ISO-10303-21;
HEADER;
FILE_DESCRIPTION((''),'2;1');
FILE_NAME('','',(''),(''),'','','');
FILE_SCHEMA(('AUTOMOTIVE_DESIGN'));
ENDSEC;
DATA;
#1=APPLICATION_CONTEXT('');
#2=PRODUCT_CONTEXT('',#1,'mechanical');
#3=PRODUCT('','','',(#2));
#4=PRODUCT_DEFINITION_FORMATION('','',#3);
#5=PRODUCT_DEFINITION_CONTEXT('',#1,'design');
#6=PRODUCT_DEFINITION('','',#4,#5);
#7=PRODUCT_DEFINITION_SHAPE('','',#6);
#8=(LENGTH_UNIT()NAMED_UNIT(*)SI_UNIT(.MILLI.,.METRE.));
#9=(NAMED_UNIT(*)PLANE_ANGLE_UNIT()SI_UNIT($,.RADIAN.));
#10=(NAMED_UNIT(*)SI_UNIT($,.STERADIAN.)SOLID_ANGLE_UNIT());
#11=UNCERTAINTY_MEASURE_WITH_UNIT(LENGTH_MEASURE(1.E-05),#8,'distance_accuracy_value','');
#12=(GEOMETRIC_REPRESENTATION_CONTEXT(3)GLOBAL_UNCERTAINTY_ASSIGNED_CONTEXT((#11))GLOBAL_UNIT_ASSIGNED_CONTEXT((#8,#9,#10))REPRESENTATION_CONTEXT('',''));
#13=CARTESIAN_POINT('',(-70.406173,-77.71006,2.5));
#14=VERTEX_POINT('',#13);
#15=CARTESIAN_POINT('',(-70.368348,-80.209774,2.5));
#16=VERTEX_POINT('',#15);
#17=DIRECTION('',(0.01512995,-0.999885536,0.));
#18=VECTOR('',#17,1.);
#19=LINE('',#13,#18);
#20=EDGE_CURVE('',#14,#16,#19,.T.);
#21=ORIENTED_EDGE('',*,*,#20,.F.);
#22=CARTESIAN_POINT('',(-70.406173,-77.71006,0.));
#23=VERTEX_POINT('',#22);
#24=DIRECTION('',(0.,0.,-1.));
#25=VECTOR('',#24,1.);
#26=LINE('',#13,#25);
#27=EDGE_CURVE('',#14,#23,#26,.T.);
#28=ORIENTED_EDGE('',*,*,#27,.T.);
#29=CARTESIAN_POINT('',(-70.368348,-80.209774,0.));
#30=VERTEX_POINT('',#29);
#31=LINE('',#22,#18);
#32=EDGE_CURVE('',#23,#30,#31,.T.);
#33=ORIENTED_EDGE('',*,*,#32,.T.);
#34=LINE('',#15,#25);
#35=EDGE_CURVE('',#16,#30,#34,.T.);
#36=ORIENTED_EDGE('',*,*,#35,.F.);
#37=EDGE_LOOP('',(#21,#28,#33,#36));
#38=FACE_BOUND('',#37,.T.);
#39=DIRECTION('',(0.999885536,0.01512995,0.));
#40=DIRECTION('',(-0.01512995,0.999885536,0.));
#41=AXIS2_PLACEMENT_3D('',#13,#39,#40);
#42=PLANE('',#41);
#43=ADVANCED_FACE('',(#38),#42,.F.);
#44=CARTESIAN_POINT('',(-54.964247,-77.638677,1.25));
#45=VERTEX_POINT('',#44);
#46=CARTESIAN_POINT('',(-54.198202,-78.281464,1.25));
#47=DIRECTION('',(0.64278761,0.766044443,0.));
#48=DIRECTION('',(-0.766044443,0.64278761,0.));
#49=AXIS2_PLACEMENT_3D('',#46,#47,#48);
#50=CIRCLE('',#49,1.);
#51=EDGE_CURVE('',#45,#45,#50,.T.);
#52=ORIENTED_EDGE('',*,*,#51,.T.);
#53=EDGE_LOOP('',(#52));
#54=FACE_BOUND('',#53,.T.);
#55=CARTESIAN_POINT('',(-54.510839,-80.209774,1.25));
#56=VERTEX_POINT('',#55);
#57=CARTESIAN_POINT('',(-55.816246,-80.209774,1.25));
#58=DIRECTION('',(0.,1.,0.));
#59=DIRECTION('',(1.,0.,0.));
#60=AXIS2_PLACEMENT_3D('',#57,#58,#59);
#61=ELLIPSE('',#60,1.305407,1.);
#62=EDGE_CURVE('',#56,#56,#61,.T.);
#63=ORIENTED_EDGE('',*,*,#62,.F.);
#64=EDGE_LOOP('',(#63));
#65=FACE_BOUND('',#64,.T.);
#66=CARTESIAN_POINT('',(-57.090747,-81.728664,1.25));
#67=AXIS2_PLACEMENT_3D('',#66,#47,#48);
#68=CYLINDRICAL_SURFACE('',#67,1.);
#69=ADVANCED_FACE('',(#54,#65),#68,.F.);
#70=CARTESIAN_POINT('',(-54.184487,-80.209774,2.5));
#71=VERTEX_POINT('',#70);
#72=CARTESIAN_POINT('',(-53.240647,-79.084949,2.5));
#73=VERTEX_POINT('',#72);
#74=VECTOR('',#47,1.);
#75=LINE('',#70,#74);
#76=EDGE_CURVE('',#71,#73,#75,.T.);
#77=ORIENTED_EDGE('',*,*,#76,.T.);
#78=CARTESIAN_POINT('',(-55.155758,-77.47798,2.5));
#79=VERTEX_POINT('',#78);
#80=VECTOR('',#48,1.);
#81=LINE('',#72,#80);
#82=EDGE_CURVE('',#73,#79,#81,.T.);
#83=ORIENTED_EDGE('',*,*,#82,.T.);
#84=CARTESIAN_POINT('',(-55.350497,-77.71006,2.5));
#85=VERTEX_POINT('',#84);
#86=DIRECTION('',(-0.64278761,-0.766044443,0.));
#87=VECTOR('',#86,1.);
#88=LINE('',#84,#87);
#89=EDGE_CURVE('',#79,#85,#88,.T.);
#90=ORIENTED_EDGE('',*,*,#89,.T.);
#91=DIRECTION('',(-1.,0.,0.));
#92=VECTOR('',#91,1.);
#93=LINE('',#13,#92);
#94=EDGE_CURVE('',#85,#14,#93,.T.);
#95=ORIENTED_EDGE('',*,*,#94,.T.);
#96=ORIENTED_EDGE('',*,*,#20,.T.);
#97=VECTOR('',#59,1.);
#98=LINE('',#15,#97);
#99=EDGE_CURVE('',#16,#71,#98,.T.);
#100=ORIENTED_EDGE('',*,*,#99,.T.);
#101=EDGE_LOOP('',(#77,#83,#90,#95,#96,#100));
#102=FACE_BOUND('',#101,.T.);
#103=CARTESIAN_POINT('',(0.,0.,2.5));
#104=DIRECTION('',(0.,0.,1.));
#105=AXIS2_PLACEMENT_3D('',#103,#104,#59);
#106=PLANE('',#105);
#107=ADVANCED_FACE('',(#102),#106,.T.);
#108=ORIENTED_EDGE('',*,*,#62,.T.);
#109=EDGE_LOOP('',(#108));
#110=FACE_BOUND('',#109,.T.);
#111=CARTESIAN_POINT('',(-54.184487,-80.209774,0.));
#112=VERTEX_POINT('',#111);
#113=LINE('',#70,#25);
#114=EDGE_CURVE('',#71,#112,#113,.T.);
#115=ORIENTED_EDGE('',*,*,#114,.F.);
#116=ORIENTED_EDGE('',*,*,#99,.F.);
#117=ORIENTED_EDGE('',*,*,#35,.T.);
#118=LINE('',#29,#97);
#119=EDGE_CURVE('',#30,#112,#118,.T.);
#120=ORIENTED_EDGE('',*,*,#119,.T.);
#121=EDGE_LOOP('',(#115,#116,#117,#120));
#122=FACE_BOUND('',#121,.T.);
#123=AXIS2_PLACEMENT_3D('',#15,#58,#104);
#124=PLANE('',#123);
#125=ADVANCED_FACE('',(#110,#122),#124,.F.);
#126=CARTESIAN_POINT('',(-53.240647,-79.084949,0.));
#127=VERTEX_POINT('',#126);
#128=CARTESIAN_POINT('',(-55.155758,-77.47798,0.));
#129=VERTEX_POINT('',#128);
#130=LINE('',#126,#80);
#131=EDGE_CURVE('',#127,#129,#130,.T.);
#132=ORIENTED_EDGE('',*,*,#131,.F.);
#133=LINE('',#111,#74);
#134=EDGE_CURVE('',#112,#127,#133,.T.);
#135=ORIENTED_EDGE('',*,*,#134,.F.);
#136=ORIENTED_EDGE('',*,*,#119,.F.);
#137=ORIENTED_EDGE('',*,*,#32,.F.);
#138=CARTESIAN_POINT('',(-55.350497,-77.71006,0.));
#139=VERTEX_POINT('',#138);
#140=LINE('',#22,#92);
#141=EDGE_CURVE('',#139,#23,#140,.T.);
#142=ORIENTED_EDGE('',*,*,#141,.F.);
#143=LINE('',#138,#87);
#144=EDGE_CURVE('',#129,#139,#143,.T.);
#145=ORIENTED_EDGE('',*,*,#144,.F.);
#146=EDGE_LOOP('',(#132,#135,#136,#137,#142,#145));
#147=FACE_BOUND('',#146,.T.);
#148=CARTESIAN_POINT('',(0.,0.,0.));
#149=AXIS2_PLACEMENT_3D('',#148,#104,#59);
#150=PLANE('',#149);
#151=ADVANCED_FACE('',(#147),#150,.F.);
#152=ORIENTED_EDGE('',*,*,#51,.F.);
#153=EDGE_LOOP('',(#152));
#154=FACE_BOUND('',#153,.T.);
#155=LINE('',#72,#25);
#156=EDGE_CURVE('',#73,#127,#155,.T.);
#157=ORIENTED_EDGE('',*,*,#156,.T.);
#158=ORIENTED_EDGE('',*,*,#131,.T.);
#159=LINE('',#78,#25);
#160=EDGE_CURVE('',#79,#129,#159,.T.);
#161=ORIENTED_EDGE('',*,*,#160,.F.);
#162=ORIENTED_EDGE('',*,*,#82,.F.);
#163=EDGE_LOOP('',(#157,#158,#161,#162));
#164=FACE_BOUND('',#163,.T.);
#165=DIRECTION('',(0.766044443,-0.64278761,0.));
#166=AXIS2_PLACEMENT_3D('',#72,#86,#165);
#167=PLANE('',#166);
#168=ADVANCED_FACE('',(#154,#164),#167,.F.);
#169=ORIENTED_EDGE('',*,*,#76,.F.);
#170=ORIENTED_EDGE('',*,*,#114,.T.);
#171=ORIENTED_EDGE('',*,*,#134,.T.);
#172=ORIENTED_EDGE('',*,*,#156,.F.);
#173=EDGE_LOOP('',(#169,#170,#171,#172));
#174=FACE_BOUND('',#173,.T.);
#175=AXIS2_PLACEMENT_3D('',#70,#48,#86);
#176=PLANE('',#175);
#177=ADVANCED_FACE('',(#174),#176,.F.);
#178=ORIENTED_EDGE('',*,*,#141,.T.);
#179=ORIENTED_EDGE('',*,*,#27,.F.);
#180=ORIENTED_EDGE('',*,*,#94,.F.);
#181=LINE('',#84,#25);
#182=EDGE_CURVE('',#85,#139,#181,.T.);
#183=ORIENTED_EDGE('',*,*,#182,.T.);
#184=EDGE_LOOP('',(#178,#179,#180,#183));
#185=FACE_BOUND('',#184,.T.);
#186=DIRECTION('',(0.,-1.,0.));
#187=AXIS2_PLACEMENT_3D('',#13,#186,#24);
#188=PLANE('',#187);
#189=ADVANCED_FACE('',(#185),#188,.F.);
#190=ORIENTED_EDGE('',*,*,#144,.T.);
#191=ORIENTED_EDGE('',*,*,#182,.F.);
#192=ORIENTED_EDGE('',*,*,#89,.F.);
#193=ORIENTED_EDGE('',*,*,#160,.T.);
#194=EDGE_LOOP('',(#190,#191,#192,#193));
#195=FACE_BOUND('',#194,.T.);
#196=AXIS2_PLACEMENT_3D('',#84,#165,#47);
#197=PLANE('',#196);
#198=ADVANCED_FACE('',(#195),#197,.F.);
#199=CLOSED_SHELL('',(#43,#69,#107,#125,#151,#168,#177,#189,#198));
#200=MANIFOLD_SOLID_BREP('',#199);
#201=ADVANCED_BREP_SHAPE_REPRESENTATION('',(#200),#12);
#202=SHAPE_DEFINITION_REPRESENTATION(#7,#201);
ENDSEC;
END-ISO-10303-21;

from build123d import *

# Parameters (mm, degrees)
BOSS_EXTRUDE1_DEPTH = 2.5
SKETCH2_R           = 1
CUT_EXTRUDE1_DEPTH  = 4.5
SKETCH3_R           = 1
CUT_EXTRUDE2_DEPTH  = 9.5
SKETCH5_R           = 1
BOSS_EXTRUDE2_DEPTH = 9.5


with BuildPart() as part:
    # Sketch1 → Boss-Extrude1 (new body)
    with BuildSketch(Plane.XY):
        Polygon((-70.406172668, -77.710060133), (-55.350496572, -77.710060133), (-55.155758053, -77.477979804), (-53.240646945, -79.084948828), (-54.184487309, -80.209773972), (-70.368347793, -80.209773972), align=None)
    extrude(amount=BOSS_EXTRUDE1_DEPTH)

    # Sketch2 → Cut-Extrude1 (cut)
    with BuildSketch(Plane(origin=(-60.939488189, -72.62485398, 0), x_dir=(0, 0, -1), z_dir=(0.6427876096865354, 0.7660444431189815, 0))):
        with Locations(Location((-1.25, -8.800123479, 0), (0, 0, 90))):
            Circle(SKETCH2_R)
    extrude(amount=-CUT_EXTRUDE1_DEPTH, mode=Mode.SUBTRACT)

    # Sketch3 → Cut-Extrude2 (cut)
    with BuildSketch(Plane(origin=(-71.565670343, -1.082908957, 0), x_dir=(0, 0, 1), z_dir=(-0.9998855357578961, -0.015129949839474953, 0))):
        with Locations(Location((1.25, -77.885923249, 0), (0, 0, 270))):
            Circle(SKETCH3_R)
    extrude(amount=-CUT_EXTRUDE2_DEPTH, mode=Mode.SUBTRACT)

    # Sketch5 → Boss-Extrude2 (add)
    with BuildSketch(Plane(origin=(-71.565670343, -1.082908957, 0), x_dir=(0, 0, 1), z_dir=(-0.9998855357578961, -0.015129949839476386, 0))):
        with Locations((1.25, -77.885923249)):
            Circle(SKETCH5_R)
    extrude(amount=-BOSS_EXTRUDE2_DEPTH)


solid = part.part
